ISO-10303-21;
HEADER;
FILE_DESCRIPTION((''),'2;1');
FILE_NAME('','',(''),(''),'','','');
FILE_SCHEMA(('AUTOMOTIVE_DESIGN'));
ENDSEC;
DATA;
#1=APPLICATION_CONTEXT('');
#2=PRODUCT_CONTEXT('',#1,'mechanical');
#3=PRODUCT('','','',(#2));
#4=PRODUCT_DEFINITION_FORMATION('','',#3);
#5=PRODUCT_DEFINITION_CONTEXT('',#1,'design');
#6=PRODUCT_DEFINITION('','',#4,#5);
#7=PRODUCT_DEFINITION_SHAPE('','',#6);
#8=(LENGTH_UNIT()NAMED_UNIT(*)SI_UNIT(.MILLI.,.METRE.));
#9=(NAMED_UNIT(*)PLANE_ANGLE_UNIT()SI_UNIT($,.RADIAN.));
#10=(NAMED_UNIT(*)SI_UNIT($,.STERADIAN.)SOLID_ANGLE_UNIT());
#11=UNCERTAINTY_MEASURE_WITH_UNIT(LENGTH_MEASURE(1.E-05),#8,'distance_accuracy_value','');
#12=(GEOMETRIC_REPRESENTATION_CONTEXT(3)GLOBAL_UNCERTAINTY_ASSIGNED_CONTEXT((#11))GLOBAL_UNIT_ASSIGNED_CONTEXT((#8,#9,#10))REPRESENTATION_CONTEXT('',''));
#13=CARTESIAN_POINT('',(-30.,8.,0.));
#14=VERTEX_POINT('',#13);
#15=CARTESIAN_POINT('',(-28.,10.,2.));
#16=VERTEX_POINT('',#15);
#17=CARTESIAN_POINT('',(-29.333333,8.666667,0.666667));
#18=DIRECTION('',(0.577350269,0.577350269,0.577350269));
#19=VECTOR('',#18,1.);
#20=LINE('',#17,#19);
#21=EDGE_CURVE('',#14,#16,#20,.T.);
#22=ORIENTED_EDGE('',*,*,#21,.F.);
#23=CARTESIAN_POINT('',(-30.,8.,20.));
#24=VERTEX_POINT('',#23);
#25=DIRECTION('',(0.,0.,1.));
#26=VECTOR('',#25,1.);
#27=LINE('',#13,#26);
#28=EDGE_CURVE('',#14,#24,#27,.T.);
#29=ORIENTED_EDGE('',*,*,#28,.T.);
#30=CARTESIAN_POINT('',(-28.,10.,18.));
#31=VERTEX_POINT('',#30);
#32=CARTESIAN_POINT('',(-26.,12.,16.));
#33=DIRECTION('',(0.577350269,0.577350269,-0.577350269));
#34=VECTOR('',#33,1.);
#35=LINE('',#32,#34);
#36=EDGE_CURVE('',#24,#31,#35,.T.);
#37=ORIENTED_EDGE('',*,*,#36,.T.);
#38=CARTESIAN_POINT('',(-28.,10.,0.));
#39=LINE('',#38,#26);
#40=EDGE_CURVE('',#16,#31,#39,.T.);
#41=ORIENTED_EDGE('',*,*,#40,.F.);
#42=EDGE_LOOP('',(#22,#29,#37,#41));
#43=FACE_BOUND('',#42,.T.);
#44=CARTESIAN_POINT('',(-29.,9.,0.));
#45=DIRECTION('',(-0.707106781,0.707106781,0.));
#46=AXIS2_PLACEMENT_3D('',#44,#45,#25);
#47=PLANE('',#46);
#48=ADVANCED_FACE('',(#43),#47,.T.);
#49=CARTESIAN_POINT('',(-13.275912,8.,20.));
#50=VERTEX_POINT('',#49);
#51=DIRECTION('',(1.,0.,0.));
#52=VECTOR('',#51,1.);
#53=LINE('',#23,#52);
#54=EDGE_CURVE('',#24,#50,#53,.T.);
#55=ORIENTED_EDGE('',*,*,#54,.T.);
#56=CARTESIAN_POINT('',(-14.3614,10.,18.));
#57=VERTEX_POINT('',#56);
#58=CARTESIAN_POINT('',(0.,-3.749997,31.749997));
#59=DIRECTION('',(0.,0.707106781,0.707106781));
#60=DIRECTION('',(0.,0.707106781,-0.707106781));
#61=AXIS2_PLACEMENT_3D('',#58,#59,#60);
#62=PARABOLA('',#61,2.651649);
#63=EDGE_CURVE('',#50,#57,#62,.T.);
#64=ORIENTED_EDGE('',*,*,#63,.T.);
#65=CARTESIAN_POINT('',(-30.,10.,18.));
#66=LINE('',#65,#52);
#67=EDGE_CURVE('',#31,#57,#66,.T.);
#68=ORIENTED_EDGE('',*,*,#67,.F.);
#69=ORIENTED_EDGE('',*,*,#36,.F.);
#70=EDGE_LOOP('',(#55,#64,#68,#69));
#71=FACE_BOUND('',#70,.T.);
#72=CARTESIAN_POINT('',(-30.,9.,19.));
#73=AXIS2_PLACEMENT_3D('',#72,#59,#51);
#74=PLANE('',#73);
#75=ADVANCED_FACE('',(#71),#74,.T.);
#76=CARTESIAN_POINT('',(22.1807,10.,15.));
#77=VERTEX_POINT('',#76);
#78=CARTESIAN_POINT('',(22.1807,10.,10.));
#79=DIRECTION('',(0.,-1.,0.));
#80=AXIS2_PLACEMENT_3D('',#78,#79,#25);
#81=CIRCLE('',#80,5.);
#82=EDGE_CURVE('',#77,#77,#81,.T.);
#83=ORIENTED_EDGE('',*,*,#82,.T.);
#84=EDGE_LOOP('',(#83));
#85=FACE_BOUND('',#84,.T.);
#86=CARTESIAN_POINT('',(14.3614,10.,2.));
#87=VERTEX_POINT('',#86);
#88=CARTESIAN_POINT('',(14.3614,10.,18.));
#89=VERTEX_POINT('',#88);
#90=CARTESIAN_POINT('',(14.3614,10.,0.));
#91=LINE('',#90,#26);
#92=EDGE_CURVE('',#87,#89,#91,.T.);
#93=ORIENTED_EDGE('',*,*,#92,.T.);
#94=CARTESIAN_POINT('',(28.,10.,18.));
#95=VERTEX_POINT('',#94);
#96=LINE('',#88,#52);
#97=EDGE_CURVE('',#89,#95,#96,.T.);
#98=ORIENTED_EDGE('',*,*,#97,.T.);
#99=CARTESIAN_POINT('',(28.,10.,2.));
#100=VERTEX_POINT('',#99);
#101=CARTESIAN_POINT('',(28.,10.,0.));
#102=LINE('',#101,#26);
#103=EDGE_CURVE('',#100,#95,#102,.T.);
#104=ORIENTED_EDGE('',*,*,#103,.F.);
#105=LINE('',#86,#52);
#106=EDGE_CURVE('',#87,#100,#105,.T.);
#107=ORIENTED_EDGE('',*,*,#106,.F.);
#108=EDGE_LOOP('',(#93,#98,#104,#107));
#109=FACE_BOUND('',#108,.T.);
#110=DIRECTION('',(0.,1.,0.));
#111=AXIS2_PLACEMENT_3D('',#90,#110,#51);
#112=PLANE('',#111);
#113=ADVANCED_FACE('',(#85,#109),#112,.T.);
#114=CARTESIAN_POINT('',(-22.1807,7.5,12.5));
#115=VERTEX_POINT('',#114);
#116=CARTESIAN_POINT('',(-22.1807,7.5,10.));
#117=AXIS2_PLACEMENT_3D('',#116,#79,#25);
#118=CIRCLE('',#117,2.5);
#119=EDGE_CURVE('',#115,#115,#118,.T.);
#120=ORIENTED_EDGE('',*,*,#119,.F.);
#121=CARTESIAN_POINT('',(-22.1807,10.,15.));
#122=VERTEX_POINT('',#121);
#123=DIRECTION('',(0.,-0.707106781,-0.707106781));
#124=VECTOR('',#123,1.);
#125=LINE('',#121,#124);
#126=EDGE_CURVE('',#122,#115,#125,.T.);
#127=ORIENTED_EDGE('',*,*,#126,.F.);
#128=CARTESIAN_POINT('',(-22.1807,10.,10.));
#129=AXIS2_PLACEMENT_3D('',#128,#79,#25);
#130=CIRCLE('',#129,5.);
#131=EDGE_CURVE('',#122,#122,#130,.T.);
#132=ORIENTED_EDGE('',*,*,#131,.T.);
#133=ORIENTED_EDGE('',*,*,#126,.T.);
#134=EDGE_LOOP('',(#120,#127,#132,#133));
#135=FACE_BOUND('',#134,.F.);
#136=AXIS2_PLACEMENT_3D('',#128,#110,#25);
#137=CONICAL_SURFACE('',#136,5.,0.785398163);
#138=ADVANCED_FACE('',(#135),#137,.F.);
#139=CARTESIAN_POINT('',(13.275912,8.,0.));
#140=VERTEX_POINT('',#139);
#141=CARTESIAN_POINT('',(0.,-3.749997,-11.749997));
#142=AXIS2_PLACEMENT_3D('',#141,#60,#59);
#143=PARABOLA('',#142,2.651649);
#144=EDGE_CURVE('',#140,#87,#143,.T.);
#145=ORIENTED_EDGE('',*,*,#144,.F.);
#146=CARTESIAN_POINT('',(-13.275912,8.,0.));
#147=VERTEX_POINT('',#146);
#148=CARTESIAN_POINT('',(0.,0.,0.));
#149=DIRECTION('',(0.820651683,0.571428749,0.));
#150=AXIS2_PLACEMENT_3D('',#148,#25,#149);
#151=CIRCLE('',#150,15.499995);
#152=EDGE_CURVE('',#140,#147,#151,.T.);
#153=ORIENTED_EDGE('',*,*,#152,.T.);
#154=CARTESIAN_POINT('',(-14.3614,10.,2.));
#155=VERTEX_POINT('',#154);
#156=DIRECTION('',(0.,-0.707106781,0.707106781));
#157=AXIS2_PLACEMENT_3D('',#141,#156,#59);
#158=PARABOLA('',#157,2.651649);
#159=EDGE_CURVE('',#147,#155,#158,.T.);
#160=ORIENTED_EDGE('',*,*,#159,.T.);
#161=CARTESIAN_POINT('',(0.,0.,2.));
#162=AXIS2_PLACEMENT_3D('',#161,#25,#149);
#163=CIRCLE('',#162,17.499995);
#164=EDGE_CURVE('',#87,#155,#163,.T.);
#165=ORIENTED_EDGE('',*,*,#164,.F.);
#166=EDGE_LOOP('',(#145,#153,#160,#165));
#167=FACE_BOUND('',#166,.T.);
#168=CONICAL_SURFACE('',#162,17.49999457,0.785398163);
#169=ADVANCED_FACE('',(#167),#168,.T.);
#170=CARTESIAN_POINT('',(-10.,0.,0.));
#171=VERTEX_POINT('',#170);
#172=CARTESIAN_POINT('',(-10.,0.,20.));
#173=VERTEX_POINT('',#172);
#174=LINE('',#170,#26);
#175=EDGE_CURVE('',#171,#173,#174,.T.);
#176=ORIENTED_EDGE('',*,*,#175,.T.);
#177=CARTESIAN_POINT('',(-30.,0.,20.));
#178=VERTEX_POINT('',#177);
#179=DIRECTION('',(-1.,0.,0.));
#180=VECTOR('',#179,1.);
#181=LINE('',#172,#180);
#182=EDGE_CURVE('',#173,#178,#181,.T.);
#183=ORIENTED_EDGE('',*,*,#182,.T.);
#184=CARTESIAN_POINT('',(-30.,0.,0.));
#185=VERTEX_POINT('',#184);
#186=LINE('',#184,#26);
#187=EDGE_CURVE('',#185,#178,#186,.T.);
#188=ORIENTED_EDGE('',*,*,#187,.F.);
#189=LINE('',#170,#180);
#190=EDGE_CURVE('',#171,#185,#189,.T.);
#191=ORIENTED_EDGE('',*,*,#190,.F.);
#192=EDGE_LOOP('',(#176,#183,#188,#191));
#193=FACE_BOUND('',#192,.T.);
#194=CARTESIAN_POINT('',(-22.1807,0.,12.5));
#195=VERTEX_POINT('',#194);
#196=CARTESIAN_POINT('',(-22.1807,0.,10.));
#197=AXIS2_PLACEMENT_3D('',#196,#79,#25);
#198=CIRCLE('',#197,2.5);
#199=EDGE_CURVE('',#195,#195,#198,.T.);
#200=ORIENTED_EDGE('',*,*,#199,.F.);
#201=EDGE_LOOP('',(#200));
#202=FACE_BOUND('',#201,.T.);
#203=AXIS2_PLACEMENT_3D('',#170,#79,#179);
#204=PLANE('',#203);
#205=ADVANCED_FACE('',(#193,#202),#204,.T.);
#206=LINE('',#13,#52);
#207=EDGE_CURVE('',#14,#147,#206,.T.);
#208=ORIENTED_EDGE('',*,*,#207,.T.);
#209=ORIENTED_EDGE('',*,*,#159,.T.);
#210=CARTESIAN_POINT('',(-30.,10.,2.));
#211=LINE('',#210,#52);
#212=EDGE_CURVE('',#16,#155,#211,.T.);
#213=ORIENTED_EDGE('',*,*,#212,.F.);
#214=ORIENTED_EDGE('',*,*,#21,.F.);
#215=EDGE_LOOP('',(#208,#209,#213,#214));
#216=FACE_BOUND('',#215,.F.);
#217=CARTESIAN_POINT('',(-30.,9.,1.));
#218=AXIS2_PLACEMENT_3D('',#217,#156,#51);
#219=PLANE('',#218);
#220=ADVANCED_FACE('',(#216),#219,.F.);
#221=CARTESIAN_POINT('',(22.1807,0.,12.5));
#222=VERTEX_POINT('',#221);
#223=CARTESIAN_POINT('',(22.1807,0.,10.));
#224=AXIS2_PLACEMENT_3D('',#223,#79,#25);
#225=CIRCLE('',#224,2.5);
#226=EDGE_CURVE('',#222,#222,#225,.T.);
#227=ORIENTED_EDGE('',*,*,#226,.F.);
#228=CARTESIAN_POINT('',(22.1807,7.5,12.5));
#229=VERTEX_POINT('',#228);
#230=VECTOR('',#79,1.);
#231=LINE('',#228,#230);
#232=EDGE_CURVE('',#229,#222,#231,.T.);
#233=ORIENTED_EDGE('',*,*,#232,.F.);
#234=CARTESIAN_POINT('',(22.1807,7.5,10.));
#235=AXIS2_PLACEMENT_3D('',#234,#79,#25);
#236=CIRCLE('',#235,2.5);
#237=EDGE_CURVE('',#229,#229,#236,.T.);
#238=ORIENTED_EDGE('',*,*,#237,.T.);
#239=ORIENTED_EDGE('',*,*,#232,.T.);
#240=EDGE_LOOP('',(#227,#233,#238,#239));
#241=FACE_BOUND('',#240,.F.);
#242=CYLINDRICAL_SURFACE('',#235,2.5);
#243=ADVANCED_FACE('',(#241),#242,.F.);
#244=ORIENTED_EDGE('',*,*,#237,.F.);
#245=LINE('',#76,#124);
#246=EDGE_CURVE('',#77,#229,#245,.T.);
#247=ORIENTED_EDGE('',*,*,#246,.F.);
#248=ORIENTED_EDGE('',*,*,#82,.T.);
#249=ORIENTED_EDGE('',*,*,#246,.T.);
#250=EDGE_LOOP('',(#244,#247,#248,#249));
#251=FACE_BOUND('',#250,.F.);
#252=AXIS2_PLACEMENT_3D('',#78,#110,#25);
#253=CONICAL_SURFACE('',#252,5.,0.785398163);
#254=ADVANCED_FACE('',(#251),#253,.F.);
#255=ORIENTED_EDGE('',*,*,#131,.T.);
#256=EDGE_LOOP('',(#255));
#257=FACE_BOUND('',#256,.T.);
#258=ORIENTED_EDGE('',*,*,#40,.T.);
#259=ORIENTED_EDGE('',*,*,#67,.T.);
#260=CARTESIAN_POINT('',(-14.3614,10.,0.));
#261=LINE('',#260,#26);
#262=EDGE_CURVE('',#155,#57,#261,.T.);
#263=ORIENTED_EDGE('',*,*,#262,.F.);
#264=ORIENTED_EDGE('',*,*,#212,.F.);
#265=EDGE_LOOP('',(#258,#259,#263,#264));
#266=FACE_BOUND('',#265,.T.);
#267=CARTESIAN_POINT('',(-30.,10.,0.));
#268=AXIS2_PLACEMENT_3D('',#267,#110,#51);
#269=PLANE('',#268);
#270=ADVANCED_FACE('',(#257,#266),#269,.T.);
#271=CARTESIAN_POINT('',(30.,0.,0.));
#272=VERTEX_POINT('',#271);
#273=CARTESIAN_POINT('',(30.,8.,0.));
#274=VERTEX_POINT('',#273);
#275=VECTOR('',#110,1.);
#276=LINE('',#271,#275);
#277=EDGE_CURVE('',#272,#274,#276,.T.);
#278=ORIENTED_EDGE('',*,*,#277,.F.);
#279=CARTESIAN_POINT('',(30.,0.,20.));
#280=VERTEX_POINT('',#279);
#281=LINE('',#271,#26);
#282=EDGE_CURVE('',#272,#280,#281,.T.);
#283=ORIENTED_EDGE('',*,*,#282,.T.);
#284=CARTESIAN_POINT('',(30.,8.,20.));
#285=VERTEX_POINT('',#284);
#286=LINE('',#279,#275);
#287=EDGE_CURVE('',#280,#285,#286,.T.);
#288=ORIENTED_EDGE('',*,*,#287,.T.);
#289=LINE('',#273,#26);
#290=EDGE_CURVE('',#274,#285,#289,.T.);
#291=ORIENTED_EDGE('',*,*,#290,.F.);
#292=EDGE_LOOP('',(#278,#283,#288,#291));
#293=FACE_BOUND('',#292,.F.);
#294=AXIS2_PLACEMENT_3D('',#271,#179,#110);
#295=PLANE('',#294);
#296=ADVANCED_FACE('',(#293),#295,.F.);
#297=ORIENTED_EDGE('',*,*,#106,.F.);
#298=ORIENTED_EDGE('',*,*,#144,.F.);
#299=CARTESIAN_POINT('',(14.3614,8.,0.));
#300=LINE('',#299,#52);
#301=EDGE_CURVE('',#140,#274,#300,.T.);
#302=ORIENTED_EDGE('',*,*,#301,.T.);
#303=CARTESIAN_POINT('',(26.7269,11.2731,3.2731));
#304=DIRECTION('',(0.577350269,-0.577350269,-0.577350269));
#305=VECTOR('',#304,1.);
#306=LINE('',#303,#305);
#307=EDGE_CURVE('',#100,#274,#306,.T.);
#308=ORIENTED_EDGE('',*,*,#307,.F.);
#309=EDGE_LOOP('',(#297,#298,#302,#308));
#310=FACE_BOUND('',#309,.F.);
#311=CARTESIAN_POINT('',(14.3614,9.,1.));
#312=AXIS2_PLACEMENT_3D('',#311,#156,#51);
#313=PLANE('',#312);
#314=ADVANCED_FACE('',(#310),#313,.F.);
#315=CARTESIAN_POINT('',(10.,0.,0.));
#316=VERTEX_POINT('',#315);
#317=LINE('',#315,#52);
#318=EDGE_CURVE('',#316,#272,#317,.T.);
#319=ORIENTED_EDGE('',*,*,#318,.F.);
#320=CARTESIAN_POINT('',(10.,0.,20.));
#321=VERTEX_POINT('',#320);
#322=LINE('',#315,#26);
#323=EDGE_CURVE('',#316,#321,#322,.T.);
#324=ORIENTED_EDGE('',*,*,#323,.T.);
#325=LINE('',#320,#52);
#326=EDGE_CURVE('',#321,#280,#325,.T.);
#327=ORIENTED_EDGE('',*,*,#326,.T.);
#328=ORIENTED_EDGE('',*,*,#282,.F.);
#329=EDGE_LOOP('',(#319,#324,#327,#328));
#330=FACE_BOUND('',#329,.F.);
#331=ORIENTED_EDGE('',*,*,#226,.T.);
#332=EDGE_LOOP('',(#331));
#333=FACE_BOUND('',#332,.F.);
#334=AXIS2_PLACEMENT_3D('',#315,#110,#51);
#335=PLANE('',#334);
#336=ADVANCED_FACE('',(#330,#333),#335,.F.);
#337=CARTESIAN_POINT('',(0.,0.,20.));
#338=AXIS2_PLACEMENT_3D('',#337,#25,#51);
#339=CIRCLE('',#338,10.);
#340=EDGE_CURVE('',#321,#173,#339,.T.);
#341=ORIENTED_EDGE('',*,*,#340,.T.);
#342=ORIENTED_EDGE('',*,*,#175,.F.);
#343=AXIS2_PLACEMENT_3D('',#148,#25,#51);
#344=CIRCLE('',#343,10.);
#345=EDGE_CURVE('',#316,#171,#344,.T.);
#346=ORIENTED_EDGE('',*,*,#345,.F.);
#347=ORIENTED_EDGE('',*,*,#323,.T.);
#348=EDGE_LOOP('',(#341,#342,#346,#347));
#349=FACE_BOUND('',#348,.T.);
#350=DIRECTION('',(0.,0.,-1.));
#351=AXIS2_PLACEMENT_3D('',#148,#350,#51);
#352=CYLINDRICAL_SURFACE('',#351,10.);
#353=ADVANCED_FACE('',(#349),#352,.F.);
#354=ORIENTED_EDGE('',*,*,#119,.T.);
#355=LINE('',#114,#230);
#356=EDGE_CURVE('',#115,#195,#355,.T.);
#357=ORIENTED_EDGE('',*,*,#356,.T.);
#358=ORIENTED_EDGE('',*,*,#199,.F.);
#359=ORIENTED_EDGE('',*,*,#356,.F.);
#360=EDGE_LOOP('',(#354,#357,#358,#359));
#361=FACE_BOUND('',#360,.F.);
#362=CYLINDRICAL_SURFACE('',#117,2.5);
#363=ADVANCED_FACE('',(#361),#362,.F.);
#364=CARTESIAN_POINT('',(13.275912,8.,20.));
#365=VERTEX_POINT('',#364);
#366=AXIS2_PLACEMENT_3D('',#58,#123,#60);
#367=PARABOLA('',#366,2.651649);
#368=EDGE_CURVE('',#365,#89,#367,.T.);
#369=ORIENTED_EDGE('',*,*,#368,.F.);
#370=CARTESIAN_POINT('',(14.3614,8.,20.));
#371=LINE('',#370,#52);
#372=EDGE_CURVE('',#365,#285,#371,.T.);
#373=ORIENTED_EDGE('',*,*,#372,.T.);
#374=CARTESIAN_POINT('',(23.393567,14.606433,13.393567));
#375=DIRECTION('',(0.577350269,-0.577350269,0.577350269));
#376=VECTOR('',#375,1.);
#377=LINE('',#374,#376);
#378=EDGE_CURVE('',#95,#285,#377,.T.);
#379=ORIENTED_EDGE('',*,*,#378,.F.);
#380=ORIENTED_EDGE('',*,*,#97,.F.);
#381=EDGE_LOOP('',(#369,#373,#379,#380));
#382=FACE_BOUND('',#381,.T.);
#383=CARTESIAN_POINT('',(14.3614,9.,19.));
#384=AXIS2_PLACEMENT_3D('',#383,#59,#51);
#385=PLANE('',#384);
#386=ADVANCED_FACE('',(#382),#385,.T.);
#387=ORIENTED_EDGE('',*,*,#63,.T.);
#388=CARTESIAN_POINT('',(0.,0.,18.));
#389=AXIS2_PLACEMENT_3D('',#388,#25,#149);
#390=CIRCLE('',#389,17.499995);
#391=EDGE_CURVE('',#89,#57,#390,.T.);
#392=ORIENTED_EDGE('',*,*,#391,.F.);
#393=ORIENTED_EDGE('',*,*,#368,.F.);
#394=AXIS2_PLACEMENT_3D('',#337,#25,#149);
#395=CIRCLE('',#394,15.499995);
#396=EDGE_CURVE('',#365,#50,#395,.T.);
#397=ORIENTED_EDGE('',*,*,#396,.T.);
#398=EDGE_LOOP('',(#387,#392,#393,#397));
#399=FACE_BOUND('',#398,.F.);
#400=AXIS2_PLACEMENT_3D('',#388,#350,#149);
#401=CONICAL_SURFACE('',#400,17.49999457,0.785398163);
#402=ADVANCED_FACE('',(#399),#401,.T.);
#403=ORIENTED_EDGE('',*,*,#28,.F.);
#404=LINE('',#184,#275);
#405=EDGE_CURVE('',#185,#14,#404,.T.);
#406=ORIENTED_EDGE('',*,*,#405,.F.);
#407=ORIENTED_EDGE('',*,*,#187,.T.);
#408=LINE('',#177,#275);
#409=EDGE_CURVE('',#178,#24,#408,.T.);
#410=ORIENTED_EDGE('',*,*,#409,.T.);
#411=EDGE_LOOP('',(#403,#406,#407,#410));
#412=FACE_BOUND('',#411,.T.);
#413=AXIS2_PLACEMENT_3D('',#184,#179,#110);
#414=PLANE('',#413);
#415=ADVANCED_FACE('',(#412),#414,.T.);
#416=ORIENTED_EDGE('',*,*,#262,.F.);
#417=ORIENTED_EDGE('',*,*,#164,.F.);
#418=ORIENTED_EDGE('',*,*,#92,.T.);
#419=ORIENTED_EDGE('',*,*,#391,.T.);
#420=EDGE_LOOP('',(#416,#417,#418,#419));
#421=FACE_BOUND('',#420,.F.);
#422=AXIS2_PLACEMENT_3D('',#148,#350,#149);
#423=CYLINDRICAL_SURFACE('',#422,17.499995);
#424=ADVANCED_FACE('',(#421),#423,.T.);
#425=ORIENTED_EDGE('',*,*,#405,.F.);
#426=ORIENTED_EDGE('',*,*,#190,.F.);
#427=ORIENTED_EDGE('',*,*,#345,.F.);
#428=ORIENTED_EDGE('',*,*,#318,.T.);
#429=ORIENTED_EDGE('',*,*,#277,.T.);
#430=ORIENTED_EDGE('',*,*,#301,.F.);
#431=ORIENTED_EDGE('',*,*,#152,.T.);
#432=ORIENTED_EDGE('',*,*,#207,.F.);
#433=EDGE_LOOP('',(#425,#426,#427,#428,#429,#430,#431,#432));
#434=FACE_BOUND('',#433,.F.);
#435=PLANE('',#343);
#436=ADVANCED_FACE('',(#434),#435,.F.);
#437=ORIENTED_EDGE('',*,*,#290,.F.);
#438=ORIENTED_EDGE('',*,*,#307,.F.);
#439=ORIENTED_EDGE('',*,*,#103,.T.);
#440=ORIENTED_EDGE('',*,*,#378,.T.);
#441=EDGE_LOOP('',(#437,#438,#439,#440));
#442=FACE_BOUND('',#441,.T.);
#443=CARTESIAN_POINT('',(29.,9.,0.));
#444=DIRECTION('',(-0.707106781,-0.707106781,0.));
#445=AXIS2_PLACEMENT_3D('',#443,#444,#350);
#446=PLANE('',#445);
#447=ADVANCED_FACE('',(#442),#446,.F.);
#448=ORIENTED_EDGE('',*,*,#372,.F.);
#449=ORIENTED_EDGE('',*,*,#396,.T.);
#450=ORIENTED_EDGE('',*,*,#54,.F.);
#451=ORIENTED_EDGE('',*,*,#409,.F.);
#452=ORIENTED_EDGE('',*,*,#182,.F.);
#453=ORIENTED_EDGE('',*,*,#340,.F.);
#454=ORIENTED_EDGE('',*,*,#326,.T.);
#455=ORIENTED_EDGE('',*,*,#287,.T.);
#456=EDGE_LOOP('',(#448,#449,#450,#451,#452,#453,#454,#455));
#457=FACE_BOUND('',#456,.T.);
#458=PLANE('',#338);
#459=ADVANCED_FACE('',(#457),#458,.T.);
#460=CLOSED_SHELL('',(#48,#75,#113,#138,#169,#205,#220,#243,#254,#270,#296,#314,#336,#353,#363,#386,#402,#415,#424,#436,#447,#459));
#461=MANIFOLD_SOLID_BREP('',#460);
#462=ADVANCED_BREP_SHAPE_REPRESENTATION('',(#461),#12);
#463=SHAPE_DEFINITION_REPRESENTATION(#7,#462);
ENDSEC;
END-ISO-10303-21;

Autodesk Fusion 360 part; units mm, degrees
sketch "Sketch1" plane through (0, 0, 0) normal (0, 0, 1) x (1, 0, 0)
  line L0 (-10, 0) -> (-30, 0)
  line L1 (10, 0) -> (30, 0)
  line L2 (-30, 0) -> (-30, 10)
  line L3 (30, 0) -> (30, 10)
  arc A0 (14.3614, 10) -> (-14.3614, 10) centre (0, 0) ccw
  line L4 (-30, 10) -> (-14.3614, 10)
  line L5 (14.3614, 10) -> (30, 10)
  arc A1 (10, 0) -> (-10, 0) centre (0, 0) ccw
  dimension "d1" = 20
  dimension "d2" = 35
extrude "Extrude1" add sketch "Sketch1" along normal blind 20
sketch "Sketch2" plane through (0, 10, 0) normal (0, 1, 0) x (-1, 0, 0)
  line L0 (-30, 0) -> (-14.3614, 0)
  line L1 (-14.3614, 0) -> (-14.3614, 20)
  line L2 (-14.3614, 20) -> (-30, 20)
  line L3 (-30, 20) -> (-30, 0)
  line L4 (-30, 20) -> (-14.3614, 0)
  line L5 (-14.3614, 20) -> (-30, 0)
hole "Hole1" at (22.1807, 10, 10) direction (0, -1, 0) diameter 5 depth 10 tip angle 118 countersink diameter 10 countersink angle 90
sketch "Sketch3" plane through (0, 10, 0) normal (0, 1, 0) x (-1, 0, 0)
  line L0 (14.3614, 0) -> (30, 0)
  line L1 (30, 0) -> (30, 20)
  line L2 (30, 20) -> (14.3614, 20)
  line L3 (14.3614, 20) -> (14.3614, 0)
  line L4 (14.3614, 20) -> (30, 0)
  line L5 (14.3614, 0) -> (30, 20)
hole "Hole2" at (-22.1807, 10, 10) direction (0, -1, 0) diameter 5 depth 10 tip angle 118 countersink diameter 10 countersink angle 90
chamfer "Chamfer1" distance 2 angle 45 8 edges at (-30, 10, 10) (30, 10, 10) (22.1807, 10, 0) (-22.1807, 10, 0) (-22.1807, 10, 20) (22.1807, 10, 20) (0, 17.5, 20) (0, 17.5, 0)
